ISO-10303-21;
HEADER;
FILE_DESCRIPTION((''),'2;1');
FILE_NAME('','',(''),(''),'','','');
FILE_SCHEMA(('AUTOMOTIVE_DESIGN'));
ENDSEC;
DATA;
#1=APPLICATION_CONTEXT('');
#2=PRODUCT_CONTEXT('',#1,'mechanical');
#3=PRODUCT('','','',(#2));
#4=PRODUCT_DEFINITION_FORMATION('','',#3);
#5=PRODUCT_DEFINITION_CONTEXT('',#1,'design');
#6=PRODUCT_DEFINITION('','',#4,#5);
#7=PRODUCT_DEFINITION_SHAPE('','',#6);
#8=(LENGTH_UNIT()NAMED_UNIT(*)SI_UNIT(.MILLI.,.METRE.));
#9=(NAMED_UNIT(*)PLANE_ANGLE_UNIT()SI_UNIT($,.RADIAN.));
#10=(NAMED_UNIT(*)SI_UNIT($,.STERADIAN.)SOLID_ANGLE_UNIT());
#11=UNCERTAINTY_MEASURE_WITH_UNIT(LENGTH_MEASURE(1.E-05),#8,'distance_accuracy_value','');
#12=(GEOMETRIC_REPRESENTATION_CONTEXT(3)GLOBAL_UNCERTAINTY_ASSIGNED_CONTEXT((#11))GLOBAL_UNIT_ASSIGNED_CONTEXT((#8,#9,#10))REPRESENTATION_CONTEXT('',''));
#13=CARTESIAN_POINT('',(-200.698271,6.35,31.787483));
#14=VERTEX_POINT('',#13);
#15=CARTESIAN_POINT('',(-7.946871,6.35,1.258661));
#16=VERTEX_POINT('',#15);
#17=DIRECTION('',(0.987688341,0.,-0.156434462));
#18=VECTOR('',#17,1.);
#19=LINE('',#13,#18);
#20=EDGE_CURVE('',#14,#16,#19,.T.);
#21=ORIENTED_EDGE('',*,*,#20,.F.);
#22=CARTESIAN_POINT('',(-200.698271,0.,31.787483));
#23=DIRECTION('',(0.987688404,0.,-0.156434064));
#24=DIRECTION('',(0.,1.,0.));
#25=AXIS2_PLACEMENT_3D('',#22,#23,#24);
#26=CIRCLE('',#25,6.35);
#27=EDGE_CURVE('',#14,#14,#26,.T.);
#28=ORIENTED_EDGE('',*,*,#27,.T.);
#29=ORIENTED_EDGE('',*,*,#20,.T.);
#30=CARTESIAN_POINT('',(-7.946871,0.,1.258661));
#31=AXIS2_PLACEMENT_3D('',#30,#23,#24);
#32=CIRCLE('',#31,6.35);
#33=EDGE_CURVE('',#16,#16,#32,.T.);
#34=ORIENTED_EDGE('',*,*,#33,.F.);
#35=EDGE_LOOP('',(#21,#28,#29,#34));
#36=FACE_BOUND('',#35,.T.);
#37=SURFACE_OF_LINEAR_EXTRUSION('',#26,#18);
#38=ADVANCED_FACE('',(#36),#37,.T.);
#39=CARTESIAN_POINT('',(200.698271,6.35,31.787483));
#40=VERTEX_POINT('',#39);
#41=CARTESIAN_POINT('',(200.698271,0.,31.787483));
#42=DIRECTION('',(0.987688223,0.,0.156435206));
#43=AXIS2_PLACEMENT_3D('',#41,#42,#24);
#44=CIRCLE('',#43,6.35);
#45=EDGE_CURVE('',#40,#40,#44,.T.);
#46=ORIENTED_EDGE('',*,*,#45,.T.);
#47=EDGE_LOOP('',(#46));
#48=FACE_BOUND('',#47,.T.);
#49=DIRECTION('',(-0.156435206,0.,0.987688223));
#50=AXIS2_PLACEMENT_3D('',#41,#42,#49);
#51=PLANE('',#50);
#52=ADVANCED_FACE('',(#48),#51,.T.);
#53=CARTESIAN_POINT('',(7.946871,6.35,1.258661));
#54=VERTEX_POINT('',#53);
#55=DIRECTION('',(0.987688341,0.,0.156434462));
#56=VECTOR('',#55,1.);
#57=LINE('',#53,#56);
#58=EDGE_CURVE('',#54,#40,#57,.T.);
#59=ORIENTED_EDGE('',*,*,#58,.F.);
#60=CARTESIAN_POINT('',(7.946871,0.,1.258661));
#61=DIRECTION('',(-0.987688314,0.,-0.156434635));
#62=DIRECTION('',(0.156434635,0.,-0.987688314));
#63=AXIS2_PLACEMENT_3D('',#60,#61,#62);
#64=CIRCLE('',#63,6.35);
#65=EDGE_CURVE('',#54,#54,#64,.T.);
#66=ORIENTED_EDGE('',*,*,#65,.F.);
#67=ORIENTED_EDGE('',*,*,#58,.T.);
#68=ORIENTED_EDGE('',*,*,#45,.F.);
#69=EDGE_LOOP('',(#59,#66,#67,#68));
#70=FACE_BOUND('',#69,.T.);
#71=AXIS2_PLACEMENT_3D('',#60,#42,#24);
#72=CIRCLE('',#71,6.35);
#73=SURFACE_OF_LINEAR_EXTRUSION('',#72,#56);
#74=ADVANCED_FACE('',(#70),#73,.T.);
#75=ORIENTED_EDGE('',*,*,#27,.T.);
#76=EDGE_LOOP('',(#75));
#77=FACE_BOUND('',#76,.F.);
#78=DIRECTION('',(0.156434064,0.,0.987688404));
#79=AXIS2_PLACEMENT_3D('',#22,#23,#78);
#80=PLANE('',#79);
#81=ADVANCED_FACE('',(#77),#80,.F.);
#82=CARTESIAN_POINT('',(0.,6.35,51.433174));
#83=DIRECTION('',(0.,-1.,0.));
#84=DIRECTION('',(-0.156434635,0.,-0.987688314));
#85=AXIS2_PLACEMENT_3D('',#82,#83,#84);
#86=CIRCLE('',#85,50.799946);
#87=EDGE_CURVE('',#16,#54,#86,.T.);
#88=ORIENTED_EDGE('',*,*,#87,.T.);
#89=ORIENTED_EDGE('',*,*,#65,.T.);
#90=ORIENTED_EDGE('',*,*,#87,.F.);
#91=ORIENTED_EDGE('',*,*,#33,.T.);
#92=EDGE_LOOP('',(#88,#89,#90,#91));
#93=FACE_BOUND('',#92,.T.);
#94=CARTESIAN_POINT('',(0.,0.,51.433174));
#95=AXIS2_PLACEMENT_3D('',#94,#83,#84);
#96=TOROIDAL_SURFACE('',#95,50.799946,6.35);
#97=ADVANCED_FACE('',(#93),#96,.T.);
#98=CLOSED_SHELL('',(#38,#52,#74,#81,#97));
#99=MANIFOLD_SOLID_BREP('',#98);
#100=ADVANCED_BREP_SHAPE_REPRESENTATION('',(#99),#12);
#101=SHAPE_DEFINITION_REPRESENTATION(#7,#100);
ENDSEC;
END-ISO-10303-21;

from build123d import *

# Parameters (mm, degrees)
F2_R = 6.35


with BuildPart() as f4:
    # F4: sweep along a path in F3
    with BuildLine(Plane.XZ) as f4_path:
        Line((-200.698271, 31.787483), (-7.946871, 1.258661))
        ThreePointArc((-7.946871, 1.258661), (0, 0.633228), (7.946871, 1.258661))
        Line((7.946871, 1.258661), (200.698271, 31.787483))
    # F2 (on face) → F4 (sweep)
    with BuildSketch(Plane(origin=(-200.698271, 0, 31.787483), x_dir=(0, 1, 0), z_dir=(0.987688, 0, -0.156434))):
        Circle(F2_R)
    sweep(path=f4_path.line)


solid = f4.part
